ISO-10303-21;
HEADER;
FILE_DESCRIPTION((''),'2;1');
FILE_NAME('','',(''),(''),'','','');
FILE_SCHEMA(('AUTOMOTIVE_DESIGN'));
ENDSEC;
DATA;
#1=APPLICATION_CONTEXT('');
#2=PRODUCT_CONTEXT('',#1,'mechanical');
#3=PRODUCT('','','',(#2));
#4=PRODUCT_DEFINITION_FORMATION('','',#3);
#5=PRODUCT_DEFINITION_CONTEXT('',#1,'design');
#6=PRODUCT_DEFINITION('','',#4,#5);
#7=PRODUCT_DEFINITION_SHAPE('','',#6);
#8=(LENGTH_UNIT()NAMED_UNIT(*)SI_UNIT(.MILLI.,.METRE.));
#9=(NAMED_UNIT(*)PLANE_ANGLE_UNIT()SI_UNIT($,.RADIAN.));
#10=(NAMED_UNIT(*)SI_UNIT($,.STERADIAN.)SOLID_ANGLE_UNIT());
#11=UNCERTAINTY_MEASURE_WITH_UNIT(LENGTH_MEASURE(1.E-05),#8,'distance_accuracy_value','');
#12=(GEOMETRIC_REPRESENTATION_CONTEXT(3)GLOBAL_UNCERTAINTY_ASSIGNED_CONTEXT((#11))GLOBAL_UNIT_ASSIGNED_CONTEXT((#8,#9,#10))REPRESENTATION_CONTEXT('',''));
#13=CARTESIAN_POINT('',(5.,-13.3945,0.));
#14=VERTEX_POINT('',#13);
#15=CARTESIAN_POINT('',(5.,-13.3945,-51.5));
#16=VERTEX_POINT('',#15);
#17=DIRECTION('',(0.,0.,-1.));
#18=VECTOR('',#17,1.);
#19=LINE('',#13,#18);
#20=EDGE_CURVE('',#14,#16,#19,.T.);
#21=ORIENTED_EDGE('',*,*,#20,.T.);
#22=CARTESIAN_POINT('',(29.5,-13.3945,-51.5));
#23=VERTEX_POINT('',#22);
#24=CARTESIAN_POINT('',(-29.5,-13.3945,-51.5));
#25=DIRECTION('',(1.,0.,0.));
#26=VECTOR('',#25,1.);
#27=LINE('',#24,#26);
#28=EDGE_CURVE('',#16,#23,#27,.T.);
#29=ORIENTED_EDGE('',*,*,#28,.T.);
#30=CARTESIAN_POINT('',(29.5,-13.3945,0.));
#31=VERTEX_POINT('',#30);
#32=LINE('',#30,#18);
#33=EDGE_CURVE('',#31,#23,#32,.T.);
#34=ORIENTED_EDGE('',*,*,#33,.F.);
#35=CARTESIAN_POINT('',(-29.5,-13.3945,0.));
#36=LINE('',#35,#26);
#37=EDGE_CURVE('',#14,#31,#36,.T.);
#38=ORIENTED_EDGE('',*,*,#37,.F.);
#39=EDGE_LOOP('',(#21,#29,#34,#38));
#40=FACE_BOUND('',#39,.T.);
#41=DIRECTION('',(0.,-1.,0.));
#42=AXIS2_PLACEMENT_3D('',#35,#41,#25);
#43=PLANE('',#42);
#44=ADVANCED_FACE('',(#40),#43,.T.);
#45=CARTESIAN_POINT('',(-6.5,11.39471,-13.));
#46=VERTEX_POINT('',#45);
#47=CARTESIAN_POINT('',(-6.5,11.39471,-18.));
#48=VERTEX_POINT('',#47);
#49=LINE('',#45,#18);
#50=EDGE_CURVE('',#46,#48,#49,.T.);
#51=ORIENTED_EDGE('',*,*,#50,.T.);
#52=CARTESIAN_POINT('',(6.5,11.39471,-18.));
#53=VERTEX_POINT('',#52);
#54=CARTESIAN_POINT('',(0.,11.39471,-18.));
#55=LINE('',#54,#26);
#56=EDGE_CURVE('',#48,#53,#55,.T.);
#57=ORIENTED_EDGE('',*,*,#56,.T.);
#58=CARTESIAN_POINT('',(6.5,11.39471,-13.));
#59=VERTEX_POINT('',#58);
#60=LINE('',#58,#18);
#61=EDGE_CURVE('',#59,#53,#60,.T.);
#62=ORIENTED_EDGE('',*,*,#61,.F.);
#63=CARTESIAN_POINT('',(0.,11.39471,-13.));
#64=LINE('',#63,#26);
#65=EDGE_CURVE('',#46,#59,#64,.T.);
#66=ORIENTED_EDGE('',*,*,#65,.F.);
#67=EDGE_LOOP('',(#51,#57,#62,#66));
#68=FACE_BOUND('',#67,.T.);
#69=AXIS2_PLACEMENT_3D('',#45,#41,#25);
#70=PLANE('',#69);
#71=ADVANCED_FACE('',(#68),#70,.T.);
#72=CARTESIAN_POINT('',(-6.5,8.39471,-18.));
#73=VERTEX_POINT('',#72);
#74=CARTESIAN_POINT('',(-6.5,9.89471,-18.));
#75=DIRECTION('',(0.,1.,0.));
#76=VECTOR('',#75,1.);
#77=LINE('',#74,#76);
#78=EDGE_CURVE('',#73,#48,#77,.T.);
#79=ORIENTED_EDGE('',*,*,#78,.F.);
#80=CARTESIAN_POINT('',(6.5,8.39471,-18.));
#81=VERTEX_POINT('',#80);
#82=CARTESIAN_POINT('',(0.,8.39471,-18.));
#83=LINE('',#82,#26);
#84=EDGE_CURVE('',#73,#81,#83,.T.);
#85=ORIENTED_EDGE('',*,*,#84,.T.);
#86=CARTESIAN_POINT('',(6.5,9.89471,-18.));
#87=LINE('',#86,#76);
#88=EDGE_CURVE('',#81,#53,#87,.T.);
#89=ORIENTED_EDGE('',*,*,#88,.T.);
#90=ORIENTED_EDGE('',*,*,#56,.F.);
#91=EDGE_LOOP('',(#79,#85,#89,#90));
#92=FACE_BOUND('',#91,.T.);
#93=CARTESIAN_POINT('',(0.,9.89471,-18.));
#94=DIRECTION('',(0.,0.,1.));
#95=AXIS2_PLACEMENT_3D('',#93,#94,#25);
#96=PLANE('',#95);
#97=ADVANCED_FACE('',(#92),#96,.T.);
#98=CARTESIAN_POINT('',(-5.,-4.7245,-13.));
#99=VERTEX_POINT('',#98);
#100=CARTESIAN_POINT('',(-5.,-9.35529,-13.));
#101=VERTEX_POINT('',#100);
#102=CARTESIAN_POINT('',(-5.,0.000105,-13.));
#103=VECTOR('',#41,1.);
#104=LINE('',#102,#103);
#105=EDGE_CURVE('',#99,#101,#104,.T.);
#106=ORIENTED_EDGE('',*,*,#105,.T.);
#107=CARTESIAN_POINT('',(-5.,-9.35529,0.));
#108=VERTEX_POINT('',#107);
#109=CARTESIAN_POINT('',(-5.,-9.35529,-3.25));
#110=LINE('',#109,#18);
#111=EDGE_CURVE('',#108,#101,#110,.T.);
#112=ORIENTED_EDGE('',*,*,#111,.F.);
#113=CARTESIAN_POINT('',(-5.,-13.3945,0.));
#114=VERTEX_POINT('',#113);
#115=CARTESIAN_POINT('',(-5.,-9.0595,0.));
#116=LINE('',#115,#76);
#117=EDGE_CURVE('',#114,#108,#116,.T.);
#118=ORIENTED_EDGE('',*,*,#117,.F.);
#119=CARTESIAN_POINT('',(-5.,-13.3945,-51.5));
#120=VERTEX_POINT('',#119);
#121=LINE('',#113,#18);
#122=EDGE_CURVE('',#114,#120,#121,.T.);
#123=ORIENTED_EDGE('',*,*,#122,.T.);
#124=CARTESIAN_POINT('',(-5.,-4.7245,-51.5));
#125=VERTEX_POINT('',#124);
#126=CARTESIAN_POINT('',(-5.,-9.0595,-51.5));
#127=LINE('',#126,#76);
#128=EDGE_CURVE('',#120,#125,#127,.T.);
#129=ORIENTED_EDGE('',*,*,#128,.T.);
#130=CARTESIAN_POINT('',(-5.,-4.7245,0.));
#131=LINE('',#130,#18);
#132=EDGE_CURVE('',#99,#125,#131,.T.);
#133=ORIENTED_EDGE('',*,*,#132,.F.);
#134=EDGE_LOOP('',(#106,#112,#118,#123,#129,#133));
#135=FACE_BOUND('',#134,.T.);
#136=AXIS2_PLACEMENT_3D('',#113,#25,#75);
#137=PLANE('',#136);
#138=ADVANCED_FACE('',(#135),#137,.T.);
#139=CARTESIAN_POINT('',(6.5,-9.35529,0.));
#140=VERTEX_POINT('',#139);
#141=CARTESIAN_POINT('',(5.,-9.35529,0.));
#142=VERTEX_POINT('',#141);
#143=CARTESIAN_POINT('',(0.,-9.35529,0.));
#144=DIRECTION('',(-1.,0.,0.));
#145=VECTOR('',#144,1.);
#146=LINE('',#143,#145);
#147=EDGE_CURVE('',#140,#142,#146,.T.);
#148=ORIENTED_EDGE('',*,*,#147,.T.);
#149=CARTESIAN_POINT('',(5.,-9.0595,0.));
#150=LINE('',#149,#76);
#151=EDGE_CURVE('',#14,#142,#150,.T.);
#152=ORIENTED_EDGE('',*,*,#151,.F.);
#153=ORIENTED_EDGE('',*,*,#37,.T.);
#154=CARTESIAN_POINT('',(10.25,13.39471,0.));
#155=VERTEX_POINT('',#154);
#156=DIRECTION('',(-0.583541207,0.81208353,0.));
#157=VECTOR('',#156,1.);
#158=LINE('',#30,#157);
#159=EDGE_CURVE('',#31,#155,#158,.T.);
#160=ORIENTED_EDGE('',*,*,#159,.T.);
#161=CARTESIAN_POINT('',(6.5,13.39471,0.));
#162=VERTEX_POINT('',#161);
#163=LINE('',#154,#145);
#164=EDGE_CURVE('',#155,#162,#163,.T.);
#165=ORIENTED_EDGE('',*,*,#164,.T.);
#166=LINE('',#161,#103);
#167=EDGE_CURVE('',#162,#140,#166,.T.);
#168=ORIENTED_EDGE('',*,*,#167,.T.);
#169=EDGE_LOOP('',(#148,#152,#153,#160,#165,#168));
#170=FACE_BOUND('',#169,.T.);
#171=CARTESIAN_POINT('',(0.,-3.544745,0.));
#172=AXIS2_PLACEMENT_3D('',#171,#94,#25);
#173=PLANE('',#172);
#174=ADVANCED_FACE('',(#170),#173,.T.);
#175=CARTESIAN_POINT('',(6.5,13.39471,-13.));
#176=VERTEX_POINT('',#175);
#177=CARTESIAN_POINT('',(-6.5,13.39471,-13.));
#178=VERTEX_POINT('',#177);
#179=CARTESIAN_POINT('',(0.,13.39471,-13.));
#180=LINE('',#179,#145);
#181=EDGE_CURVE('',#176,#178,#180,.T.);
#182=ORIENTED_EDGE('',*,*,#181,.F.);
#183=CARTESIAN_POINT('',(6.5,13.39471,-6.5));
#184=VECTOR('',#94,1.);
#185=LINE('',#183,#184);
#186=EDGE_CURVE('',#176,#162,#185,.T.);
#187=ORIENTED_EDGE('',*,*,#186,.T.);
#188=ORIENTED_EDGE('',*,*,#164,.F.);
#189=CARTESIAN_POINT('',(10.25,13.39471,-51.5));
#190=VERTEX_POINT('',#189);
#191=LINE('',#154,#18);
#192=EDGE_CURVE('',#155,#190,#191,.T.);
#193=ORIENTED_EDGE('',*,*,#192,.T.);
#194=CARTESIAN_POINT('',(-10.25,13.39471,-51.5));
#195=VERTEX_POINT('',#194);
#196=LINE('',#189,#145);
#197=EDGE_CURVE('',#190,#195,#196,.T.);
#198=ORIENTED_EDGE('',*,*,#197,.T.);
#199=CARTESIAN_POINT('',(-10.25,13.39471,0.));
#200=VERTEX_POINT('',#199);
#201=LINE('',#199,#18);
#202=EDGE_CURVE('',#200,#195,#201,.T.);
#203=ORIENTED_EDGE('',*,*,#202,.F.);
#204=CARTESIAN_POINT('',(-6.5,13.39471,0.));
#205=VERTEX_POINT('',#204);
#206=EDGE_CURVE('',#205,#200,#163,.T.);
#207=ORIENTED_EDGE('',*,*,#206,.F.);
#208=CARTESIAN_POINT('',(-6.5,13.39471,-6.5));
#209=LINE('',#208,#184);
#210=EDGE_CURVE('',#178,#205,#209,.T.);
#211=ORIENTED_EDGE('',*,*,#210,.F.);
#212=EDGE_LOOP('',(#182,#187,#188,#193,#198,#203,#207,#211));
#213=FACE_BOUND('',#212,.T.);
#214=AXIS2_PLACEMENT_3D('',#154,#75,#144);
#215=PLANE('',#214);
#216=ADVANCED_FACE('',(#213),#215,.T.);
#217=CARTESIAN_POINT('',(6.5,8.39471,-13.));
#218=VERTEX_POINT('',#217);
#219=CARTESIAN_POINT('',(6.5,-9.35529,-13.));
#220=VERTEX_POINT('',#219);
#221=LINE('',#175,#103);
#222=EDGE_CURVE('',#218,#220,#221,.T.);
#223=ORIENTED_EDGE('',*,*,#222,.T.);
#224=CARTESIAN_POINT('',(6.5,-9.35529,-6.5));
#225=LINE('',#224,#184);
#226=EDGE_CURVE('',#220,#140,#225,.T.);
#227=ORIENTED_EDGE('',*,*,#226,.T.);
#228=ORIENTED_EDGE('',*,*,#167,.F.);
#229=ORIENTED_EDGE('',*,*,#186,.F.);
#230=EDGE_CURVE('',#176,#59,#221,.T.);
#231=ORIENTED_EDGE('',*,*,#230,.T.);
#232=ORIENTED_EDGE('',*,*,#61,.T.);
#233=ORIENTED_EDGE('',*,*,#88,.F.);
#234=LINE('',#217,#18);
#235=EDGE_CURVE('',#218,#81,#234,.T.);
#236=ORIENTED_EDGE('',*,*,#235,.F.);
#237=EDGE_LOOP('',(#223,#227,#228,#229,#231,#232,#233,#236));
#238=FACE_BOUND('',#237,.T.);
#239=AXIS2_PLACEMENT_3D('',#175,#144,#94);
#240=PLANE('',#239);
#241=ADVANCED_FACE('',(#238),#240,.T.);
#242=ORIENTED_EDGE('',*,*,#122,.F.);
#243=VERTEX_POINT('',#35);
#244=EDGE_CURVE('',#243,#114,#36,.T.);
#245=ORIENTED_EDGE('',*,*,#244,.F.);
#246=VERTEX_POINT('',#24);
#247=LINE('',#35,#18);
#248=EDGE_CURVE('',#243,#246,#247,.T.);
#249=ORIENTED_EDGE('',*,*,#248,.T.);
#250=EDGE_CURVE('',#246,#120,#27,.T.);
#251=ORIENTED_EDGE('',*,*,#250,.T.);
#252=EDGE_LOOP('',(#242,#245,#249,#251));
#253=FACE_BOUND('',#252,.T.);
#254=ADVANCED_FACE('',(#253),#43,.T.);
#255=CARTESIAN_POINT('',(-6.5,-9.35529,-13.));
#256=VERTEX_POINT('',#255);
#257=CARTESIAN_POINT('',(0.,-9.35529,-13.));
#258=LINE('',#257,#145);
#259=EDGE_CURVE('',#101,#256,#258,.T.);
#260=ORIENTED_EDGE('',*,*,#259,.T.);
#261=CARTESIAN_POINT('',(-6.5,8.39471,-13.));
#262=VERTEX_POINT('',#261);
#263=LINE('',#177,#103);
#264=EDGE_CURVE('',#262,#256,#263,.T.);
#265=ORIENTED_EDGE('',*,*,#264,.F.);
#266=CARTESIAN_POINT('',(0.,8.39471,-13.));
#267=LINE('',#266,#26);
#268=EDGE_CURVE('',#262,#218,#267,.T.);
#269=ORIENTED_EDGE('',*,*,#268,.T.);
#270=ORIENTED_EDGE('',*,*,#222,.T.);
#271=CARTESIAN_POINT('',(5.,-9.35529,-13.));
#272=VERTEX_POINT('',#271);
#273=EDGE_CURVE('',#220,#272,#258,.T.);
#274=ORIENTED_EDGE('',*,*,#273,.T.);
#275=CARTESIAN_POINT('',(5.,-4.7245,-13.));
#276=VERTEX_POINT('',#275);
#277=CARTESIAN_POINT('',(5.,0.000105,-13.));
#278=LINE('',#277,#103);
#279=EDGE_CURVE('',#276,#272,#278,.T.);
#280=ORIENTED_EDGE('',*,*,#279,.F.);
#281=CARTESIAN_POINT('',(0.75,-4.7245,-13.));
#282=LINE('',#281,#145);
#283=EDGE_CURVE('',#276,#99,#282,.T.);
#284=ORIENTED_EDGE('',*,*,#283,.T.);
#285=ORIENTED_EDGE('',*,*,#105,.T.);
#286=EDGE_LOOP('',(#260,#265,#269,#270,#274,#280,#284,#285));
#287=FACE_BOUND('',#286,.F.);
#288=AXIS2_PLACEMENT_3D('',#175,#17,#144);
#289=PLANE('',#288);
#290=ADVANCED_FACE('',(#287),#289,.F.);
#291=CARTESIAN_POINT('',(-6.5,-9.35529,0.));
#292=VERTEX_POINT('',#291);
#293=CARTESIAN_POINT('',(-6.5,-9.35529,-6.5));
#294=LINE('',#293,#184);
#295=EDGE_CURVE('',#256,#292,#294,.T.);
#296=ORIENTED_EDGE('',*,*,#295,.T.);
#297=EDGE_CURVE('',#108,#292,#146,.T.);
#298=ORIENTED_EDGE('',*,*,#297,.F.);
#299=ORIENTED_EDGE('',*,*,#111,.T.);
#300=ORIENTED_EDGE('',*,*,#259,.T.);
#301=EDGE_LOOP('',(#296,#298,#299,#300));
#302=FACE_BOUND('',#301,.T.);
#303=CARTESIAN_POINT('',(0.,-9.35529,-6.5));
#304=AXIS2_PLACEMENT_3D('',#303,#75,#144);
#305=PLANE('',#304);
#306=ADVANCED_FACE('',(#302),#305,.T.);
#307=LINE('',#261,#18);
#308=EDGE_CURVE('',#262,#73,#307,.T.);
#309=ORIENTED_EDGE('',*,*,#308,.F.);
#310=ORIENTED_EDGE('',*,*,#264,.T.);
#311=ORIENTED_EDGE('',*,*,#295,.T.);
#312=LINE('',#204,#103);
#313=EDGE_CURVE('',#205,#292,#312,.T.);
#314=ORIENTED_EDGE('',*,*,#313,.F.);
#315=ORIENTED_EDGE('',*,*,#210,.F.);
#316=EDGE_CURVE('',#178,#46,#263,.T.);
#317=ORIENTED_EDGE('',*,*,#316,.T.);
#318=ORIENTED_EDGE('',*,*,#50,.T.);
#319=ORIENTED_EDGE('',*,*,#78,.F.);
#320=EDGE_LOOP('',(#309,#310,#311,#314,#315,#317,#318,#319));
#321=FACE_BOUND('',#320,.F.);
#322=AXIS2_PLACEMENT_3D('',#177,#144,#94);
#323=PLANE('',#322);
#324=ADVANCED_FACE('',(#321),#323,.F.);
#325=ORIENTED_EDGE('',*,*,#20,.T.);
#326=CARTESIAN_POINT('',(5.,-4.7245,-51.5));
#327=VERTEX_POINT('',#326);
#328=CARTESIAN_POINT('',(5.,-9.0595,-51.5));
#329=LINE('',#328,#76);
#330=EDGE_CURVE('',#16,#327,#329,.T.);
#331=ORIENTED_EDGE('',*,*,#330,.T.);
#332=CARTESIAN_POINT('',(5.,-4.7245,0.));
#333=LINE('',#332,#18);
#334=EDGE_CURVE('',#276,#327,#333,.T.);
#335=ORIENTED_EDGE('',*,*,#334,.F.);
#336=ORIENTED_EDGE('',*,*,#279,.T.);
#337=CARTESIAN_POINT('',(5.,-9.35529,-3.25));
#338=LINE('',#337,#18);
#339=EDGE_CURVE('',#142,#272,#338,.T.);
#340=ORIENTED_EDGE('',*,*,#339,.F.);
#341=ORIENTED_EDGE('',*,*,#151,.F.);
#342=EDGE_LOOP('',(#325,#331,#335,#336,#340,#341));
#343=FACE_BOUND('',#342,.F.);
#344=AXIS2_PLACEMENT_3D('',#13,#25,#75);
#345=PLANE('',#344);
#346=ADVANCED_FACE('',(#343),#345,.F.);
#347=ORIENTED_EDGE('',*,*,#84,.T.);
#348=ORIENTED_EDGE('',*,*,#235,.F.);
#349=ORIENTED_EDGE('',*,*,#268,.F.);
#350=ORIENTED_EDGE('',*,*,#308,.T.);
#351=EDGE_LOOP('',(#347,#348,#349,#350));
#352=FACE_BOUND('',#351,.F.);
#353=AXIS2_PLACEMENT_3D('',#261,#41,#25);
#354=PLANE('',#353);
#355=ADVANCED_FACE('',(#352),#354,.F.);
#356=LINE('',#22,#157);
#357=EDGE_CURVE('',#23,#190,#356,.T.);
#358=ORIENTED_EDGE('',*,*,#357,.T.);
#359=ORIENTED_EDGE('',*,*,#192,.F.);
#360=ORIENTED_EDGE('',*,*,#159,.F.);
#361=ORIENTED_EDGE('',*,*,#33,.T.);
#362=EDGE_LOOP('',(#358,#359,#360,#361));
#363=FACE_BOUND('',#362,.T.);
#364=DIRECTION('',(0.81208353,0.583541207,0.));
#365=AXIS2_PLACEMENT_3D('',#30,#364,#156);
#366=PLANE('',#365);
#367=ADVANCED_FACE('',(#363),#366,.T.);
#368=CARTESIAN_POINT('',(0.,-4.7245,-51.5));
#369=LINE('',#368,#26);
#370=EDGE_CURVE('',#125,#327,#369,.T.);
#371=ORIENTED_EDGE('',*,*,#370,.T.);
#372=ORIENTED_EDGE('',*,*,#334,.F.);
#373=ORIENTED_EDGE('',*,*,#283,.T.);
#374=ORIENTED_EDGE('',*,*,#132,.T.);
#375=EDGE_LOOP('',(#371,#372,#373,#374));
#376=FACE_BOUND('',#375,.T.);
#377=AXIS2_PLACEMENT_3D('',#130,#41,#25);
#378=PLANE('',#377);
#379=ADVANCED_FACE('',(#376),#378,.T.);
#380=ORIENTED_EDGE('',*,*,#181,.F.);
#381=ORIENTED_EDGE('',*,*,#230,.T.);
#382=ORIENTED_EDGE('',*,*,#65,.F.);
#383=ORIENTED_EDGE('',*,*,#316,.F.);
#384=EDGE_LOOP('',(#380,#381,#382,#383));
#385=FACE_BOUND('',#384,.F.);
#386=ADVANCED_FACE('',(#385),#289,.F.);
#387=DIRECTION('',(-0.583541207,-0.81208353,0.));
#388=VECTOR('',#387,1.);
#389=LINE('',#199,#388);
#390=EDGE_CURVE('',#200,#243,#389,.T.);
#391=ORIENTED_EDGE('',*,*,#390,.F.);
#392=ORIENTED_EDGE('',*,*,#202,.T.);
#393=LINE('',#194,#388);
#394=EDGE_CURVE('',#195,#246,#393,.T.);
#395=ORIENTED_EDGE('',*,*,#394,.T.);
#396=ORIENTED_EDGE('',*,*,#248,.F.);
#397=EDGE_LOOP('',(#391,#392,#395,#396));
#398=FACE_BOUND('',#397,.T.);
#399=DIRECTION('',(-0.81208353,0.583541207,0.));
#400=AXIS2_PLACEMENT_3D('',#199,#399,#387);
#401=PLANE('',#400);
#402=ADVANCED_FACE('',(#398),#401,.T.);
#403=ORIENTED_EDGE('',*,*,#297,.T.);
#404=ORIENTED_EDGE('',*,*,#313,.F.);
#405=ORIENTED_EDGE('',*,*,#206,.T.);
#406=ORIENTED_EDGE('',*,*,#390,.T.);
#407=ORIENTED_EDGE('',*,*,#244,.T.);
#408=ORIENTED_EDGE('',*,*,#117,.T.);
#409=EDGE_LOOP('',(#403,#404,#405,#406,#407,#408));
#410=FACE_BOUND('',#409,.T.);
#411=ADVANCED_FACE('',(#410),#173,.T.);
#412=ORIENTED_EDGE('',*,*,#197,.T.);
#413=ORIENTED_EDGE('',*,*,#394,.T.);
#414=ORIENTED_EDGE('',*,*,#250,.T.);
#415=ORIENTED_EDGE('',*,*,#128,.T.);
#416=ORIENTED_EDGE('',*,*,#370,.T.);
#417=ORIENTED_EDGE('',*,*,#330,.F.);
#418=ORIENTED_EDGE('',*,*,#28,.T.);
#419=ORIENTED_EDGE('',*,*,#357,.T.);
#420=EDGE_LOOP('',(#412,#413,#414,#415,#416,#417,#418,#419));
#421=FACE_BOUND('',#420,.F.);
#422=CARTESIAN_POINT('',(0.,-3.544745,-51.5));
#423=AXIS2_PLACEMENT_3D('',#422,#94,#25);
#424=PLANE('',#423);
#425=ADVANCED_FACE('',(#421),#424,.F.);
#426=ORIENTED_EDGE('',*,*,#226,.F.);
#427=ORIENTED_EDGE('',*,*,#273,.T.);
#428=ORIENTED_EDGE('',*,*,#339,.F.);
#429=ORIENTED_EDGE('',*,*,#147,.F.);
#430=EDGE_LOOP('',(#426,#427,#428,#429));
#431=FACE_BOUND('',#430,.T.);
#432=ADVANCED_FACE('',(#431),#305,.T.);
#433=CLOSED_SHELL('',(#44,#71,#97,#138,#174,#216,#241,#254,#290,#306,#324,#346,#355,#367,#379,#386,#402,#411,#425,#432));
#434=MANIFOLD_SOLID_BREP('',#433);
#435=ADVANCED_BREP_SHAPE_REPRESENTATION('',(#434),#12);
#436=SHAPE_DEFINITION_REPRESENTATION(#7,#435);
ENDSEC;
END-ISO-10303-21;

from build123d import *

# Parameters (mm, degrees)
F1_DEPTH = 51.5
F2_W     = 13
F2_H     = 13
F3_DEPTH = 22.75
F4_W     = 13
F4_H     = 3
F5_DEPTH = 5
F6_W     = 10
F6_H     = 8.67
F7_DEPTH = 51.5


with BuildPart() as f1:
    # F0 (on Top) → F1 (new body)
    with BuildSketch(Plane.XY):
        Polygon((-10.25, 13.39471), (-29.5, -13.3945), (29.5, -13.3945), (10.25, 13.39471), align=None)
    extrude(amount=-F1_DEPTH)

    # F2 (on face) → F3 (cut)
    with BuildSketch(Plane(origin=(0, 13.39471, 0), x_dir=(-1, 0, 0), z_dir=(0, 1, 0))):
        with Locations((0, -6.5)):
            Rectangle(F2_W, F2_H)
    extrude(amount=-F3_DEPTH, mode=Mode.SUBTRACT)

    # F4 (on face) → F5 (cut)
    with BuildSketch(Plane.XY.offset(-13)):
        with Locations((0, 9.89471)):
            Rectangle(F4_W, F4_H)
    extrude(amount=-F5_DEPTH, mode=Mode.SUBTRACT)

    # F6 (on face) → F7 (cut)
    with BuildSketch(Plane.XY):
        with Locations((0, -9.0595)):
            Rectangle(F6_W, F6_H)
    extrude(amount=-F7_DEPTH, mode=Mode.SUBTRACT)


solid = f1.part
